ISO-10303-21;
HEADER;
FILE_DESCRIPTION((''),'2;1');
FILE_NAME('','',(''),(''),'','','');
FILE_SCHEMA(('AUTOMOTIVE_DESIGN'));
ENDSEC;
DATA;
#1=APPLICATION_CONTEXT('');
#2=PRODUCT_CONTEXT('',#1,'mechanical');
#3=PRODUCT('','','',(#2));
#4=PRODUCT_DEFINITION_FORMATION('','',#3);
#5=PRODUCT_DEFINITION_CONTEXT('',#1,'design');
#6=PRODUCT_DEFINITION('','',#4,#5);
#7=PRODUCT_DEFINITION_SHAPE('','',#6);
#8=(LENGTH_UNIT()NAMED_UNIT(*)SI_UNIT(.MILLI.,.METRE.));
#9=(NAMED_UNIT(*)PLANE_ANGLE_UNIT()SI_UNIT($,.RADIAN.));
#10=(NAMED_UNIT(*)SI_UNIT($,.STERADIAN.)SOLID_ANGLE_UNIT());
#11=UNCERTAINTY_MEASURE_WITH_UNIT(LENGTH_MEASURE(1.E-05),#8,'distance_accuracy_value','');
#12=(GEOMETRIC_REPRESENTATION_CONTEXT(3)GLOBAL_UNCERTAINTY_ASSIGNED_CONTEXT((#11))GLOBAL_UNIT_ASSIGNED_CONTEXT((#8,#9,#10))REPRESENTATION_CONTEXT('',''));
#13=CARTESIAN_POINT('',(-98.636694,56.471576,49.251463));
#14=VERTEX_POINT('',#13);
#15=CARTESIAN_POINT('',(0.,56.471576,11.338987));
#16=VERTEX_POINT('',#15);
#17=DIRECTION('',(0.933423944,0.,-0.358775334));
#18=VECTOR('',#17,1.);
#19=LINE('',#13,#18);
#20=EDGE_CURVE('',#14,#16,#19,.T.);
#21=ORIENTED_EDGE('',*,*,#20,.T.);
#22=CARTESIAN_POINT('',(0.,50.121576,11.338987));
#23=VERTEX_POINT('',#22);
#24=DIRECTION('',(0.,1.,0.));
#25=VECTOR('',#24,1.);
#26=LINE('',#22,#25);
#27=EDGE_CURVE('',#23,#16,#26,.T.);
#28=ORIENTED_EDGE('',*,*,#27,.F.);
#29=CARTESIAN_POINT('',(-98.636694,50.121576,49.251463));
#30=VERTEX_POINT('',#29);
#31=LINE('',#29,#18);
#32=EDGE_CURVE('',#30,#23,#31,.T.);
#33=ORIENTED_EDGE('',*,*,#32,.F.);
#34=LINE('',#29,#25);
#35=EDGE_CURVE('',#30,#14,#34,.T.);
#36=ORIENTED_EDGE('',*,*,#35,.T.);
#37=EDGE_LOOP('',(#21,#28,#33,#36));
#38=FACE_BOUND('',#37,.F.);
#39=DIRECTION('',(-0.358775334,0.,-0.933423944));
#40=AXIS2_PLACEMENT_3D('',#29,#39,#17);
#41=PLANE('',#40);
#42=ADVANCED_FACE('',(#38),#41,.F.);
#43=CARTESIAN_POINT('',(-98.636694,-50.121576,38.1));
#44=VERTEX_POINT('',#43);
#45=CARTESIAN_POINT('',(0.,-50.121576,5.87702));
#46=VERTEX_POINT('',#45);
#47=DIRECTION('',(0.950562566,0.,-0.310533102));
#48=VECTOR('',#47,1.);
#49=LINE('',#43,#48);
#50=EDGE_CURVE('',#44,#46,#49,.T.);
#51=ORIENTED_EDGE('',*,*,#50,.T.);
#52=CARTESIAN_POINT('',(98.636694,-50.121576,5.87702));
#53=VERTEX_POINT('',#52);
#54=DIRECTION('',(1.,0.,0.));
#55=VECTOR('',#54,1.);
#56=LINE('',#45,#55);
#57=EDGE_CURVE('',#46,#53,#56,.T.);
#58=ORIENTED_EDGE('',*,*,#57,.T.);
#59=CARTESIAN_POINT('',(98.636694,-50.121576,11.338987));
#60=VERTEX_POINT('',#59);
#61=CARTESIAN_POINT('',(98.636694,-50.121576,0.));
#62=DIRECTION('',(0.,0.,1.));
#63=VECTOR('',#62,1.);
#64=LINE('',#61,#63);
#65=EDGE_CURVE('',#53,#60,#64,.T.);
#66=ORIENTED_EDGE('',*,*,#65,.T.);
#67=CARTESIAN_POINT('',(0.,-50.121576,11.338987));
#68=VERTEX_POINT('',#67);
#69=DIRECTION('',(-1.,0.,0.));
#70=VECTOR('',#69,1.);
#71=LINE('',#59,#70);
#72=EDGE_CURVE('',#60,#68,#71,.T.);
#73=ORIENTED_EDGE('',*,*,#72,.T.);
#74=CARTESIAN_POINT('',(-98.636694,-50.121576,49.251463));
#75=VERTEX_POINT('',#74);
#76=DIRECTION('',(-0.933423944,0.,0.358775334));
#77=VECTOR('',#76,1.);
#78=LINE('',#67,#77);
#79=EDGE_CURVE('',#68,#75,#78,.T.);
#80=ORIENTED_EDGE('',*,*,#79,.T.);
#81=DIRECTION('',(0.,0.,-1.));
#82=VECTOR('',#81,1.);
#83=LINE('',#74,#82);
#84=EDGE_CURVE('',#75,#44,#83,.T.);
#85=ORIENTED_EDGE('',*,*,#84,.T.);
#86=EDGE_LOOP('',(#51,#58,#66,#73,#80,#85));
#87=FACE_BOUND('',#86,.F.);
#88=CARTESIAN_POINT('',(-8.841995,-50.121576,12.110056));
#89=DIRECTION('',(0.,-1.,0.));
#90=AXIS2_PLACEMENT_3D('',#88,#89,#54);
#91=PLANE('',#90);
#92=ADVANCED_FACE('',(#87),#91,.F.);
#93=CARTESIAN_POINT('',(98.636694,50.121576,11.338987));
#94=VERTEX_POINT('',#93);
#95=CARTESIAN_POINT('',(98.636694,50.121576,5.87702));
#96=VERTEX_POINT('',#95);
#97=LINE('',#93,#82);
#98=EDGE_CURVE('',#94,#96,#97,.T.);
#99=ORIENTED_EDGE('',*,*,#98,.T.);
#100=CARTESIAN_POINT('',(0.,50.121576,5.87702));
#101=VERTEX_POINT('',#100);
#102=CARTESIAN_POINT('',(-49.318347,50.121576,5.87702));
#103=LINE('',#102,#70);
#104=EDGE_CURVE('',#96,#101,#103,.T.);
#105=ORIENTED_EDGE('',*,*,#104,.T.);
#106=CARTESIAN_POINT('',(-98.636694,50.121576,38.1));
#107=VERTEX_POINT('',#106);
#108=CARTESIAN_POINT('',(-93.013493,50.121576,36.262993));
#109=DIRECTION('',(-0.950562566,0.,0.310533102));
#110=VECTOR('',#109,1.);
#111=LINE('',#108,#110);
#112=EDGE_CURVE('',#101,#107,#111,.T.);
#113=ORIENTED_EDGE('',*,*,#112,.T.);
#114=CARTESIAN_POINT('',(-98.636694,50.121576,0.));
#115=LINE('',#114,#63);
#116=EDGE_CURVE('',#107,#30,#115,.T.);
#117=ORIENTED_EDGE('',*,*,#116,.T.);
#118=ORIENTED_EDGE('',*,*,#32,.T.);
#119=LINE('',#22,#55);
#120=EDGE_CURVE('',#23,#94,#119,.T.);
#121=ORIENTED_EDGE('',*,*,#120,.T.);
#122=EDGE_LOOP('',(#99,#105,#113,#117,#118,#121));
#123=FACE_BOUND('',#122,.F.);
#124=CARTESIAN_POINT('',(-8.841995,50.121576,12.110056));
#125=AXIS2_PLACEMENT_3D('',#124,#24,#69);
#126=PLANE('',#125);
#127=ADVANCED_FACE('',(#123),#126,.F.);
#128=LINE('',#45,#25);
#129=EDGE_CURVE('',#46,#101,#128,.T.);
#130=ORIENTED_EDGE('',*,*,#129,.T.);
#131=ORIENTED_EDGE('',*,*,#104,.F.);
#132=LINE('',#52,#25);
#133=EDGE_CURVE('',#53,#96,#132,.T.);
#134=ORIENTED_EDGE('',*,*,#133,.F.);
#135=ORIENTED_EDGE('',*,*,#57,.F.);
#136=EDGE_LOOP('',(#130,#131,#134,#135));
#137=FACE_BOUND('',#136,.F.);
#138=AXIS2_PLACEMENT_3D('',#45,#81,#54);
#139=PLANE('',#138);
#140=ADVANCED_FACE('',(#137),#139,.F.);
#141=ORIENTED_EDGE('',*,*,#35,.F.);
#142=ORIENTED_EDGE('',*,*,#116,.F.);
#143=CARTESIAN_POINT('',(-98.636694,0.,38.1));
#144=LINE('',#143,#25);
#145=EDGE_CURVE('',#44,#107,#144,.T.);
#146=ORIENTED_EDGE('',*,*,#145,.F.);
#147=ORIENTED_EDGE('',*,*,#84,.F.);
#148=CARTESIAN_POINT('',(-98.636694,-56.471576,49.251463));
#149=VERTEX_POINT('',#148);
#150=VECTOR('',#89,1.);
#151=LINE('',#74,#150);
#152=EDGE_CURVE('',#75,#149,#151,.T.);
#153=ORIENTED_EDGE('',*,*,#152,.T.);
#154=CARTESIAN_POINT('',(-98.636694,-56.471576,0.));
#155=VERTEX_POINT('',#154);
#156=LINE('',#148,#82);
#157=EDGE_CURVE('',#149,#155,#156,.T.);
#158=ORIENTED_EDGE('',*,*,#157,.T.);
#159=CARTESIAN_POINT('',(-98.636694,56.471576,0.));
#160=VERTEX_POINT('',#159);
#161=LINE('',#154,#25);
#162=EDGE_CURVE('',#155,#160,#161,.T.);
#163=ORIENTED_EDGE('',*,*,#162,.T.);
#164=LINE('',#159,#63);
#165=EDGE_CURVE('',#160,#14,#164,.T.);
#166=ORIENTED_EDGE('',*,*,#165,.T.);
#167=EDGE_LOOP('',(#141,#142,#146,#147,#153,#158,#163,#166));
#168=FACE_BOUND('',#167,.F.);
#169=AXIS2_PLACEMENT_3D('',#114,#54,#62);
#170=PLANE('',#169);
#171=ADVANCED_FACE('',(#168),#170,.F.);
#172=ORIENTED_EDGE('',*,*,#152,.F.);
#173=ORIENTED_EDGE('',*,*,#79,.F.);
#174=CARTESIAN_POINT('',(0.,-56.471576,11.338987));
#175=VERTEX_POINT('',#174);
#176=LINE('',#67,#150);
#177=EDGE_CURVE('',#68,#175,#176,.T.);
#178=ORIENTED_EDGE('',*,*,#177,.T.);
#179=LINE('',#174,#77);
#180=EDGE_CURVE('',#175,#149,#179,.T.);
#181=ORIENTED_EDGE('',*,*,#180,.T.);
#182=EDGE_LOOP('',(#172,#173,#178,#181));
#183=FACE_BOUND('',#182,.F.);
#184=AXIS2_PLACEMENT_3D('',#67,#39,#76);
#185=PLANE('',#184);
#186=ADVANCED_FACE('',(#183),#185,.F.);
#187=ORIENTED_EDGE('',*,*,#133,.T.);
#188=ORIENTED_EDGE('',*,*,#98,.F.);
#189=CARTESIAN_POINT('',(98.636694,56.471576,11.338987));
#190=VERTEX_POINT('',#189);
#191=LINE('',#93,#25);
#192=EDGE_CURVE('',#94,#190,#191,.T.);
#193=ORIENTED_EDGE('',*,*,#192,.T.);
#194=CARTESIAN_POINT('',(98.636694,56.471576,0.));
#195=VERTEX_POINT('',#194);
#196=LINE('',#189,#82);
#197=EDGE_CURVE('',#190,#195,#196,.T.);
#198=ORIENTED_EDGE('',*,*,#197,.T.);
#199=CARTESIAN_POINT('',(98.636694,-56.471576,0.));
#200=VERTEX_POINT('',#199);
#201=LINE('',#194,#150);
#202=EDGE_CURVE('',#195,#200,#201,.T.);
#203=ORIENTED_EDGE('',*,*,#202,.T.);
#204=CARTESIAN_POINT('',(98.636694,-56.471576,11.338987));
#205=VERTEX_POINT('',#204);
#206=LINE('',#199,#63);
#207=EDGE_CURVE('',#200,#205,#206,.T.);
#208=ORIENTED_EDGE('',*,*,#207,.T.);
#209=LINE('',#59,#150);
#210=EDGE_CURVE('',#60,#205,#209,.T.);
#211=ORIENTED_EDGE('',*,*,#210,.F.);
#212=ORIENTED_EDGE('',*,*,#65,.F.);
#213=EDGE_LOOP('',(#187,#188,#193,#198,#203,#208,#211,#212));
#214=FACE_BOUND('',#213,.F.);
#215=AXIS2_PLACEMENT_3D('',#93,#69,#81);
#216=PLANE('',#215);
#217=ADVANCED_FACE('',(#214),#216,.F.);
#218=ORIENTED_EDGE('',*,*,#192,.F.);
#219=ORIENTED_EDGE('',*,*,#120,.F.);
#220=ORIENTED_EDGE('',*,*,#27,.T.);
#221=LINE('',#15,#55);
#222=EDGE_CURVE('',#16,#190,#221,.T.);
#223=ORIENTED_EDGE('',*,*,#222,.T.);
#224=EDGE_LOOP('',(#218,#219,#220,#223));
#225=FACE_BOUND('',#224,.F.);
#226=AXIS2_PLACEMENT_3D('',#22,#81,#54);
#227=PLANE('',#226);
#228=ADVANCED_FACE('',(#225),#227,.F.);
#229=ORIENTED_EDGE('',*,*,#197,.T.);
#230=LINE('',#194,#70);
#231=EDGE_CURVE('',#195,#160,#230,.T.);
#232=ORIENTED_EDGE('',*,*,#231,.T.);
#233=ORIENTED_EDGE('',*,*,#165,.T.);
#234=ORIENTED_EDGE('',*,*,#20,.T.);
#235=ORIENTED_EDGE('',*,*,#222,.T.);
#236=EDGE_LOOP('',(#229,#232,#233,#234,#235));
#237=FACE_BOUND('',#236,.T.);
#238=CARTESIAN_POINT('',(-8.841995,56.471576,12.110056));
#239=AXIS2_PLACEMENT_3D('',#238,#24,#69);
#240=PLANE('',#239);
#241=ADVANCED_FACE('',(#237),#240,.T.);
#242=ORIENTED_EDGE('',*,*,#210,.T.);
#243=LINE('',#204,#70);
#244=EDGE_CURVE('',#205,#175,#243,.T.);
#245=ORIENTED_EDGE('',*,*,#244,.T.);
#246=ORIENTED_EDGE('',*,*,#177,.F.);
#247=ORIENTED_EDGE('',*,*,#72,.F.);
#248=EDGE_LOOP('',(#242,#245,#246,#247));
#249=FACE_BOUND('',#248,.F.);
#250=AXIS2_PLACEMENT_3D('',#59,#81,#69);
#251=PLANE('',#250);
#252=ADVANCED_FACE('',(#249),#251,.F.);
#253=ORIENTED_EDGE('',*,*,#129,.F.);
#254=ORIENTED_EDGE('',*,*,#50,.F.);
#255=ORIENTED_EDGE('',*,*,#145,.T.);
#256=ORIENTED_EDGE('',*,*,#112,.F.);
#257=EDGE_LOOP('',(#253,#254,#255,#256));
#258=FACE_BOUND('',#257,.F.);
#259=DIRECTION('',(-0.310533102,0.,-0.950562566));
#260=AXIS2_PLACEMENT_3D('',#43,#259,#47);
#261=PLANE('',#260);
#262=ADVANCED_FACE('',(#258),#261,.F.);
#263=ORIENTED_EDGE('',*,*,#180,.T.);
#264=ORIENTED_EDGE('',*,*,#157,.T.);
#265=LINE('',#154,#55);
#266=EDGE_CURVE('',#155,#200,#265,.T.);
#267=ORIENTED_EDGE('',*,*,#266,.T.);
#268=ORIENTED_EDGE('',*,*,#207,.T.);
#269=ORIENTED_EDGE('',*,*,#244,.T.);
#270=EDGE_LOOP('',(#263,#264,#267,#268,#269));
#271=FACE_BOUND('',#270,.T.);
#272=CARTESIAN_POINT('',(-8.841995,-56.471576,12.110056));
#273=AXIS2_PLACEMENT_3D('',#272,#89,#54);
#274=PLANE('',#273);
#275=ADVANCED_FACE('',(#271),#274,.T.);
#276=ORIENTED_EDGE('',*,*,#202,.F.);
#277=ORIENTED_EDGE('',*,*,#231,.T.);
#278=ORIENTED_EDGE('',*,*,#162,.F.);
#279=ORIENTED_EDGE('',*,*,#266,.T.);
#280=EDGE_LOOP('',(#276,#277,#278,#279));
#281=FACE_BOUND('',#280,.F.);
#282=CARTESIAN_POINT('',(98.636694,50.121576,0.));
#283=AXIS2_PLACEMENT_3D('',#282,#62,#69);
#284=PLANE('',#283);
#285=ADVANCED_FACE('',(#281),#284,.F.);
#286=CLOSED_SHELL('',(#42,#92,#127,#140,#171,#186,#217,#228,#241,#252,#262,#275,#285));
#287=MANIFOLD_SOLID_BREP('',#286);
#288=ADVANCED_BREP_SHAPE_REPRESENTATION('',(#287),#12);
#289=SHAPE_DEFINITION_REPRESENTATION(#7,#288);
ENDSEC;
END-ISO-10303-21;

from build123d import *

# Parameters (mm, degrees)
F0_W     = 197.273388
F0_H     = 100.243152
F1_DEPTH = 38.1
F3_DEPTH = 100.244151
F5_DEPTH = 6.35
F7_DEPTH = 6.35


with BuildPart() as f1:
    # F0 (on Top) → F1 (new body)
    with BuildSketch(Plane.XY):
        Rectangle(F0_W, F0_H)
    extrude(amount=F1_DEPTH)

    # F2 (on face) → F3 (cut, through all)
    with BuildSketch(Plane.XZ.offset(50.121576)):
        Polygon((98.636694, 38.1), (-98.636694, 38.1), (0, 5.87702), (98.636694, 5.87702), align=None)
    extrude(amount=-F3_DEPTH, mode=Mode.SUBTRACT)

    # F4 (on face) → F5 (join)
    with BuildSketch(Plane.XZ.offset(50.121576)):
        Polygon((-98.636694, 49.251463), (-98.636694, 0), (98.636694, 0), (98.636694, 11.338987), (0, 11.338987), align=None)
    extrude(amount=F5_DEPTH)

    # F6 (on face) → F7 (join)
    with BuildSketch(Plane(origin=(0, 50.121576, 0), x_dir=(-1, 0, 0), z_dir=(0, 1, 0))):
        Polygon((-98.636694, 0), (98.636694, 0), (98.636694, 49.251463), (0, 11.338987), (-98.636694, 11.338987), align=None)
    extrude(amount=F7_DEPTH)


solid = f1.part
